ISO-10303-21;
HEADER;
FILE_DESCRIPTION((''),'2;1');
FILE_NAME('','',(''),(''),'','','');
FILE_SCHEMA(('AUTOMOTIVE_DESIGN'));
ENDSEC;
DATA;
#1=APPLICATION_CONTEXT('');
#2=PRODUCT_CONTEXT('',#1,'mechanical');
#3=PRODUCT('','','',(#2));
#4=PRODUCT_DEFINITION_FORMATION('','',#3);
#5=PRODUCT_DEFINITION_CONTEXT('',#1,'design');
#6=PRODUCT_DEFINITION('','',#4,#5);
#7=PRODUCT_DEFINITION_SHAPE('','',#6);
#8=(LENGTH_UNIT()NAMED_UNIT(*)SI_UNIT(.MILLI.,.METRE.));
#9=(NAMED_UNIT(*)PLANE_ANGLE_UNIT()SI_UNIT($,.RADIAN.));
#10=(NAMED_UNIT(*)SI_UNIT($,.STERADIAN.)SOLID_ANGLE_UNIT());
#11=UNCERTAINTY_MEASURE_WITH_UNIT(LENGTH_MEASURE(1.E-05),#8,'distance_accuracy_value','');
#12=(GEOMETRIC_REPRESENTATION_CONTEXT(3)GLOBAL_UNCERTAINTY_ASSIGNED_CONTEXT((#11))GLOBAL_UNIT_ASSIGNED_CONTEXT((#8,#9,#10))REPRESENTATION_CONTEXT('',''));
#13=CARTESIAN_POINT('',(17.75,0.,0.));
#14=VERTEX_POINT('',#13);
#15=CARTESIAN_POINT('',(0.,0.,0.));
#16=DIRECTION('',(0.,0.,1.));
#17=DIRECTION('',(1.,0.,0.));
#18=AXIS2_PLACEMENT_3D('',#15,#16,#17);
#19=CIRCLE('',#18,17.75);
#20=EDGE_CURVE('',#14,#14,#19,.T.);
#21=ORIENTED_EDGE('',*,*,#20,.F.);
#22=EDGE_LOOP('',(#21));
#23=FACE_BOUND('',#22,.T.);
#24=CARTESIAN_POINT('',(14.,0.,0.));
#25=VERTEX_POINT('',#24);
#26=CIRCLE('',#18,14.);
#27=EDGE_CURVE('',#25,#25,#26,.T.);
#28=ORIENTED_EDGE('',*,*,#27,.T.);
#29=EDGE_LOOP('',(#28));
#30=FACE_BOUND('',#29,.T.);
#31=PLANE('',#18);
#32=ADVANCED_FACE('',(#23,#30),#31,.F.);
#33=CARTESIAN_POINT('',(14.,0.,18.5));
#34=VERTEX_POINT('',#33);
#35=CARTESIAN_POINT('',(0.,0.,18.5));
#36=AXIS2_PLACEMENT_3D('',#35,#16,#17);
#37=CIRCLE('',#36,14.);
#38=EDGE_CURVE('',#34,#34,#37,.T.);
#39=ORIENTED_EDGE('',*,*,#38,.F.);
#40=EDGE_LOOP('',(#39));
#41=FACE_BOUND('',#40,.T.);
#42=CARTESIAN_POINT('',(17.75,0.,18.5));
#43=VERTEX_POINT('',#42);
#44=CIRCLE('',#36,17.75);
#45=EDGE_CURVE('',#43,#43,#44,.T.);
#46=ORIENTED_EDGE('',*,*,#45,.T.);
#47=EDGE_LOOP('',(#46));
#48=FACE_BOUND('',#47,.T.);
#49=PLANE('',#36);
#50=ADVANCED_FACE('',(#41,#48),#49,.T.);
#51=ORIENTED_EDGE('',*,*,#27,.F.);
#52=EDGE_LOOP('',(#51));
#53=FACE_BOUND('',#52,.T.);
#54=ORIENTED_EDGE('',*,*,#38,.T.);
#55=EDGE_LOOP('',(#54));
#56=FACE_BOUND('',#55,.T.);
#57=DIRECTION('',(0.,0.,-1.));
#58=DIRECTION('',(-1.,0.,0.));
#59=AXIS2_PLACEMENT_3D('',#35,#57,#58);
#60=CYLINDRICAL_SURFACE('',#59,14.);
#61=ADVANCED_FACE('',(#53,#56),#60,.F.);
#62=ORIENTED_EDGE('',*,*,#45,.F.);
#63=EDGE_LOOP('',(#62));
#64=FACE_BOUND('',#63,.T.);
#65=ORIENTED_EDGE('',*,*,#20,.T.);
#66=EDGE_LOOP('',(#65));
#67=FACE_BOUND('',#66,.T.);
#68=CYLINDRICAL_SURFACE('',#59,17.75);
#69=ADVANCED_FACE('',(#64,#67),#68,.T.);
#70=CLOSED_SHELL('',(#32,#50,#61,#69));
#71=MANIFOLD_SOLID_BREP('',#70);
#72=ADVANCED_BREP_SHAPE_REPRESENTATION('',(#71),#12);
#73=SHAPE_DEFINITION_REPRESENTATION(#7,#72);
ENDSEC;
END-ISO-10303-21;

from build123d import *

# Parameters (mm, degrees)
ESQUISSE1_R      = 17.75
ESQUISSE1_R_2    = 14
EXTRUSION1_DEPTH = 18.5


with BuildPart() as part:
    # Esquisse1 → Extrusion1 (new body)
    with BuildSketch(Plane.XY):
        Circle(ESQUISSE1_R)
        Circle(ESQUISSE1_R_2, mode=Mode.SUBTRACT)
    extrude(amount=EXTRUSION1_DEPTH)


solid = part.part
